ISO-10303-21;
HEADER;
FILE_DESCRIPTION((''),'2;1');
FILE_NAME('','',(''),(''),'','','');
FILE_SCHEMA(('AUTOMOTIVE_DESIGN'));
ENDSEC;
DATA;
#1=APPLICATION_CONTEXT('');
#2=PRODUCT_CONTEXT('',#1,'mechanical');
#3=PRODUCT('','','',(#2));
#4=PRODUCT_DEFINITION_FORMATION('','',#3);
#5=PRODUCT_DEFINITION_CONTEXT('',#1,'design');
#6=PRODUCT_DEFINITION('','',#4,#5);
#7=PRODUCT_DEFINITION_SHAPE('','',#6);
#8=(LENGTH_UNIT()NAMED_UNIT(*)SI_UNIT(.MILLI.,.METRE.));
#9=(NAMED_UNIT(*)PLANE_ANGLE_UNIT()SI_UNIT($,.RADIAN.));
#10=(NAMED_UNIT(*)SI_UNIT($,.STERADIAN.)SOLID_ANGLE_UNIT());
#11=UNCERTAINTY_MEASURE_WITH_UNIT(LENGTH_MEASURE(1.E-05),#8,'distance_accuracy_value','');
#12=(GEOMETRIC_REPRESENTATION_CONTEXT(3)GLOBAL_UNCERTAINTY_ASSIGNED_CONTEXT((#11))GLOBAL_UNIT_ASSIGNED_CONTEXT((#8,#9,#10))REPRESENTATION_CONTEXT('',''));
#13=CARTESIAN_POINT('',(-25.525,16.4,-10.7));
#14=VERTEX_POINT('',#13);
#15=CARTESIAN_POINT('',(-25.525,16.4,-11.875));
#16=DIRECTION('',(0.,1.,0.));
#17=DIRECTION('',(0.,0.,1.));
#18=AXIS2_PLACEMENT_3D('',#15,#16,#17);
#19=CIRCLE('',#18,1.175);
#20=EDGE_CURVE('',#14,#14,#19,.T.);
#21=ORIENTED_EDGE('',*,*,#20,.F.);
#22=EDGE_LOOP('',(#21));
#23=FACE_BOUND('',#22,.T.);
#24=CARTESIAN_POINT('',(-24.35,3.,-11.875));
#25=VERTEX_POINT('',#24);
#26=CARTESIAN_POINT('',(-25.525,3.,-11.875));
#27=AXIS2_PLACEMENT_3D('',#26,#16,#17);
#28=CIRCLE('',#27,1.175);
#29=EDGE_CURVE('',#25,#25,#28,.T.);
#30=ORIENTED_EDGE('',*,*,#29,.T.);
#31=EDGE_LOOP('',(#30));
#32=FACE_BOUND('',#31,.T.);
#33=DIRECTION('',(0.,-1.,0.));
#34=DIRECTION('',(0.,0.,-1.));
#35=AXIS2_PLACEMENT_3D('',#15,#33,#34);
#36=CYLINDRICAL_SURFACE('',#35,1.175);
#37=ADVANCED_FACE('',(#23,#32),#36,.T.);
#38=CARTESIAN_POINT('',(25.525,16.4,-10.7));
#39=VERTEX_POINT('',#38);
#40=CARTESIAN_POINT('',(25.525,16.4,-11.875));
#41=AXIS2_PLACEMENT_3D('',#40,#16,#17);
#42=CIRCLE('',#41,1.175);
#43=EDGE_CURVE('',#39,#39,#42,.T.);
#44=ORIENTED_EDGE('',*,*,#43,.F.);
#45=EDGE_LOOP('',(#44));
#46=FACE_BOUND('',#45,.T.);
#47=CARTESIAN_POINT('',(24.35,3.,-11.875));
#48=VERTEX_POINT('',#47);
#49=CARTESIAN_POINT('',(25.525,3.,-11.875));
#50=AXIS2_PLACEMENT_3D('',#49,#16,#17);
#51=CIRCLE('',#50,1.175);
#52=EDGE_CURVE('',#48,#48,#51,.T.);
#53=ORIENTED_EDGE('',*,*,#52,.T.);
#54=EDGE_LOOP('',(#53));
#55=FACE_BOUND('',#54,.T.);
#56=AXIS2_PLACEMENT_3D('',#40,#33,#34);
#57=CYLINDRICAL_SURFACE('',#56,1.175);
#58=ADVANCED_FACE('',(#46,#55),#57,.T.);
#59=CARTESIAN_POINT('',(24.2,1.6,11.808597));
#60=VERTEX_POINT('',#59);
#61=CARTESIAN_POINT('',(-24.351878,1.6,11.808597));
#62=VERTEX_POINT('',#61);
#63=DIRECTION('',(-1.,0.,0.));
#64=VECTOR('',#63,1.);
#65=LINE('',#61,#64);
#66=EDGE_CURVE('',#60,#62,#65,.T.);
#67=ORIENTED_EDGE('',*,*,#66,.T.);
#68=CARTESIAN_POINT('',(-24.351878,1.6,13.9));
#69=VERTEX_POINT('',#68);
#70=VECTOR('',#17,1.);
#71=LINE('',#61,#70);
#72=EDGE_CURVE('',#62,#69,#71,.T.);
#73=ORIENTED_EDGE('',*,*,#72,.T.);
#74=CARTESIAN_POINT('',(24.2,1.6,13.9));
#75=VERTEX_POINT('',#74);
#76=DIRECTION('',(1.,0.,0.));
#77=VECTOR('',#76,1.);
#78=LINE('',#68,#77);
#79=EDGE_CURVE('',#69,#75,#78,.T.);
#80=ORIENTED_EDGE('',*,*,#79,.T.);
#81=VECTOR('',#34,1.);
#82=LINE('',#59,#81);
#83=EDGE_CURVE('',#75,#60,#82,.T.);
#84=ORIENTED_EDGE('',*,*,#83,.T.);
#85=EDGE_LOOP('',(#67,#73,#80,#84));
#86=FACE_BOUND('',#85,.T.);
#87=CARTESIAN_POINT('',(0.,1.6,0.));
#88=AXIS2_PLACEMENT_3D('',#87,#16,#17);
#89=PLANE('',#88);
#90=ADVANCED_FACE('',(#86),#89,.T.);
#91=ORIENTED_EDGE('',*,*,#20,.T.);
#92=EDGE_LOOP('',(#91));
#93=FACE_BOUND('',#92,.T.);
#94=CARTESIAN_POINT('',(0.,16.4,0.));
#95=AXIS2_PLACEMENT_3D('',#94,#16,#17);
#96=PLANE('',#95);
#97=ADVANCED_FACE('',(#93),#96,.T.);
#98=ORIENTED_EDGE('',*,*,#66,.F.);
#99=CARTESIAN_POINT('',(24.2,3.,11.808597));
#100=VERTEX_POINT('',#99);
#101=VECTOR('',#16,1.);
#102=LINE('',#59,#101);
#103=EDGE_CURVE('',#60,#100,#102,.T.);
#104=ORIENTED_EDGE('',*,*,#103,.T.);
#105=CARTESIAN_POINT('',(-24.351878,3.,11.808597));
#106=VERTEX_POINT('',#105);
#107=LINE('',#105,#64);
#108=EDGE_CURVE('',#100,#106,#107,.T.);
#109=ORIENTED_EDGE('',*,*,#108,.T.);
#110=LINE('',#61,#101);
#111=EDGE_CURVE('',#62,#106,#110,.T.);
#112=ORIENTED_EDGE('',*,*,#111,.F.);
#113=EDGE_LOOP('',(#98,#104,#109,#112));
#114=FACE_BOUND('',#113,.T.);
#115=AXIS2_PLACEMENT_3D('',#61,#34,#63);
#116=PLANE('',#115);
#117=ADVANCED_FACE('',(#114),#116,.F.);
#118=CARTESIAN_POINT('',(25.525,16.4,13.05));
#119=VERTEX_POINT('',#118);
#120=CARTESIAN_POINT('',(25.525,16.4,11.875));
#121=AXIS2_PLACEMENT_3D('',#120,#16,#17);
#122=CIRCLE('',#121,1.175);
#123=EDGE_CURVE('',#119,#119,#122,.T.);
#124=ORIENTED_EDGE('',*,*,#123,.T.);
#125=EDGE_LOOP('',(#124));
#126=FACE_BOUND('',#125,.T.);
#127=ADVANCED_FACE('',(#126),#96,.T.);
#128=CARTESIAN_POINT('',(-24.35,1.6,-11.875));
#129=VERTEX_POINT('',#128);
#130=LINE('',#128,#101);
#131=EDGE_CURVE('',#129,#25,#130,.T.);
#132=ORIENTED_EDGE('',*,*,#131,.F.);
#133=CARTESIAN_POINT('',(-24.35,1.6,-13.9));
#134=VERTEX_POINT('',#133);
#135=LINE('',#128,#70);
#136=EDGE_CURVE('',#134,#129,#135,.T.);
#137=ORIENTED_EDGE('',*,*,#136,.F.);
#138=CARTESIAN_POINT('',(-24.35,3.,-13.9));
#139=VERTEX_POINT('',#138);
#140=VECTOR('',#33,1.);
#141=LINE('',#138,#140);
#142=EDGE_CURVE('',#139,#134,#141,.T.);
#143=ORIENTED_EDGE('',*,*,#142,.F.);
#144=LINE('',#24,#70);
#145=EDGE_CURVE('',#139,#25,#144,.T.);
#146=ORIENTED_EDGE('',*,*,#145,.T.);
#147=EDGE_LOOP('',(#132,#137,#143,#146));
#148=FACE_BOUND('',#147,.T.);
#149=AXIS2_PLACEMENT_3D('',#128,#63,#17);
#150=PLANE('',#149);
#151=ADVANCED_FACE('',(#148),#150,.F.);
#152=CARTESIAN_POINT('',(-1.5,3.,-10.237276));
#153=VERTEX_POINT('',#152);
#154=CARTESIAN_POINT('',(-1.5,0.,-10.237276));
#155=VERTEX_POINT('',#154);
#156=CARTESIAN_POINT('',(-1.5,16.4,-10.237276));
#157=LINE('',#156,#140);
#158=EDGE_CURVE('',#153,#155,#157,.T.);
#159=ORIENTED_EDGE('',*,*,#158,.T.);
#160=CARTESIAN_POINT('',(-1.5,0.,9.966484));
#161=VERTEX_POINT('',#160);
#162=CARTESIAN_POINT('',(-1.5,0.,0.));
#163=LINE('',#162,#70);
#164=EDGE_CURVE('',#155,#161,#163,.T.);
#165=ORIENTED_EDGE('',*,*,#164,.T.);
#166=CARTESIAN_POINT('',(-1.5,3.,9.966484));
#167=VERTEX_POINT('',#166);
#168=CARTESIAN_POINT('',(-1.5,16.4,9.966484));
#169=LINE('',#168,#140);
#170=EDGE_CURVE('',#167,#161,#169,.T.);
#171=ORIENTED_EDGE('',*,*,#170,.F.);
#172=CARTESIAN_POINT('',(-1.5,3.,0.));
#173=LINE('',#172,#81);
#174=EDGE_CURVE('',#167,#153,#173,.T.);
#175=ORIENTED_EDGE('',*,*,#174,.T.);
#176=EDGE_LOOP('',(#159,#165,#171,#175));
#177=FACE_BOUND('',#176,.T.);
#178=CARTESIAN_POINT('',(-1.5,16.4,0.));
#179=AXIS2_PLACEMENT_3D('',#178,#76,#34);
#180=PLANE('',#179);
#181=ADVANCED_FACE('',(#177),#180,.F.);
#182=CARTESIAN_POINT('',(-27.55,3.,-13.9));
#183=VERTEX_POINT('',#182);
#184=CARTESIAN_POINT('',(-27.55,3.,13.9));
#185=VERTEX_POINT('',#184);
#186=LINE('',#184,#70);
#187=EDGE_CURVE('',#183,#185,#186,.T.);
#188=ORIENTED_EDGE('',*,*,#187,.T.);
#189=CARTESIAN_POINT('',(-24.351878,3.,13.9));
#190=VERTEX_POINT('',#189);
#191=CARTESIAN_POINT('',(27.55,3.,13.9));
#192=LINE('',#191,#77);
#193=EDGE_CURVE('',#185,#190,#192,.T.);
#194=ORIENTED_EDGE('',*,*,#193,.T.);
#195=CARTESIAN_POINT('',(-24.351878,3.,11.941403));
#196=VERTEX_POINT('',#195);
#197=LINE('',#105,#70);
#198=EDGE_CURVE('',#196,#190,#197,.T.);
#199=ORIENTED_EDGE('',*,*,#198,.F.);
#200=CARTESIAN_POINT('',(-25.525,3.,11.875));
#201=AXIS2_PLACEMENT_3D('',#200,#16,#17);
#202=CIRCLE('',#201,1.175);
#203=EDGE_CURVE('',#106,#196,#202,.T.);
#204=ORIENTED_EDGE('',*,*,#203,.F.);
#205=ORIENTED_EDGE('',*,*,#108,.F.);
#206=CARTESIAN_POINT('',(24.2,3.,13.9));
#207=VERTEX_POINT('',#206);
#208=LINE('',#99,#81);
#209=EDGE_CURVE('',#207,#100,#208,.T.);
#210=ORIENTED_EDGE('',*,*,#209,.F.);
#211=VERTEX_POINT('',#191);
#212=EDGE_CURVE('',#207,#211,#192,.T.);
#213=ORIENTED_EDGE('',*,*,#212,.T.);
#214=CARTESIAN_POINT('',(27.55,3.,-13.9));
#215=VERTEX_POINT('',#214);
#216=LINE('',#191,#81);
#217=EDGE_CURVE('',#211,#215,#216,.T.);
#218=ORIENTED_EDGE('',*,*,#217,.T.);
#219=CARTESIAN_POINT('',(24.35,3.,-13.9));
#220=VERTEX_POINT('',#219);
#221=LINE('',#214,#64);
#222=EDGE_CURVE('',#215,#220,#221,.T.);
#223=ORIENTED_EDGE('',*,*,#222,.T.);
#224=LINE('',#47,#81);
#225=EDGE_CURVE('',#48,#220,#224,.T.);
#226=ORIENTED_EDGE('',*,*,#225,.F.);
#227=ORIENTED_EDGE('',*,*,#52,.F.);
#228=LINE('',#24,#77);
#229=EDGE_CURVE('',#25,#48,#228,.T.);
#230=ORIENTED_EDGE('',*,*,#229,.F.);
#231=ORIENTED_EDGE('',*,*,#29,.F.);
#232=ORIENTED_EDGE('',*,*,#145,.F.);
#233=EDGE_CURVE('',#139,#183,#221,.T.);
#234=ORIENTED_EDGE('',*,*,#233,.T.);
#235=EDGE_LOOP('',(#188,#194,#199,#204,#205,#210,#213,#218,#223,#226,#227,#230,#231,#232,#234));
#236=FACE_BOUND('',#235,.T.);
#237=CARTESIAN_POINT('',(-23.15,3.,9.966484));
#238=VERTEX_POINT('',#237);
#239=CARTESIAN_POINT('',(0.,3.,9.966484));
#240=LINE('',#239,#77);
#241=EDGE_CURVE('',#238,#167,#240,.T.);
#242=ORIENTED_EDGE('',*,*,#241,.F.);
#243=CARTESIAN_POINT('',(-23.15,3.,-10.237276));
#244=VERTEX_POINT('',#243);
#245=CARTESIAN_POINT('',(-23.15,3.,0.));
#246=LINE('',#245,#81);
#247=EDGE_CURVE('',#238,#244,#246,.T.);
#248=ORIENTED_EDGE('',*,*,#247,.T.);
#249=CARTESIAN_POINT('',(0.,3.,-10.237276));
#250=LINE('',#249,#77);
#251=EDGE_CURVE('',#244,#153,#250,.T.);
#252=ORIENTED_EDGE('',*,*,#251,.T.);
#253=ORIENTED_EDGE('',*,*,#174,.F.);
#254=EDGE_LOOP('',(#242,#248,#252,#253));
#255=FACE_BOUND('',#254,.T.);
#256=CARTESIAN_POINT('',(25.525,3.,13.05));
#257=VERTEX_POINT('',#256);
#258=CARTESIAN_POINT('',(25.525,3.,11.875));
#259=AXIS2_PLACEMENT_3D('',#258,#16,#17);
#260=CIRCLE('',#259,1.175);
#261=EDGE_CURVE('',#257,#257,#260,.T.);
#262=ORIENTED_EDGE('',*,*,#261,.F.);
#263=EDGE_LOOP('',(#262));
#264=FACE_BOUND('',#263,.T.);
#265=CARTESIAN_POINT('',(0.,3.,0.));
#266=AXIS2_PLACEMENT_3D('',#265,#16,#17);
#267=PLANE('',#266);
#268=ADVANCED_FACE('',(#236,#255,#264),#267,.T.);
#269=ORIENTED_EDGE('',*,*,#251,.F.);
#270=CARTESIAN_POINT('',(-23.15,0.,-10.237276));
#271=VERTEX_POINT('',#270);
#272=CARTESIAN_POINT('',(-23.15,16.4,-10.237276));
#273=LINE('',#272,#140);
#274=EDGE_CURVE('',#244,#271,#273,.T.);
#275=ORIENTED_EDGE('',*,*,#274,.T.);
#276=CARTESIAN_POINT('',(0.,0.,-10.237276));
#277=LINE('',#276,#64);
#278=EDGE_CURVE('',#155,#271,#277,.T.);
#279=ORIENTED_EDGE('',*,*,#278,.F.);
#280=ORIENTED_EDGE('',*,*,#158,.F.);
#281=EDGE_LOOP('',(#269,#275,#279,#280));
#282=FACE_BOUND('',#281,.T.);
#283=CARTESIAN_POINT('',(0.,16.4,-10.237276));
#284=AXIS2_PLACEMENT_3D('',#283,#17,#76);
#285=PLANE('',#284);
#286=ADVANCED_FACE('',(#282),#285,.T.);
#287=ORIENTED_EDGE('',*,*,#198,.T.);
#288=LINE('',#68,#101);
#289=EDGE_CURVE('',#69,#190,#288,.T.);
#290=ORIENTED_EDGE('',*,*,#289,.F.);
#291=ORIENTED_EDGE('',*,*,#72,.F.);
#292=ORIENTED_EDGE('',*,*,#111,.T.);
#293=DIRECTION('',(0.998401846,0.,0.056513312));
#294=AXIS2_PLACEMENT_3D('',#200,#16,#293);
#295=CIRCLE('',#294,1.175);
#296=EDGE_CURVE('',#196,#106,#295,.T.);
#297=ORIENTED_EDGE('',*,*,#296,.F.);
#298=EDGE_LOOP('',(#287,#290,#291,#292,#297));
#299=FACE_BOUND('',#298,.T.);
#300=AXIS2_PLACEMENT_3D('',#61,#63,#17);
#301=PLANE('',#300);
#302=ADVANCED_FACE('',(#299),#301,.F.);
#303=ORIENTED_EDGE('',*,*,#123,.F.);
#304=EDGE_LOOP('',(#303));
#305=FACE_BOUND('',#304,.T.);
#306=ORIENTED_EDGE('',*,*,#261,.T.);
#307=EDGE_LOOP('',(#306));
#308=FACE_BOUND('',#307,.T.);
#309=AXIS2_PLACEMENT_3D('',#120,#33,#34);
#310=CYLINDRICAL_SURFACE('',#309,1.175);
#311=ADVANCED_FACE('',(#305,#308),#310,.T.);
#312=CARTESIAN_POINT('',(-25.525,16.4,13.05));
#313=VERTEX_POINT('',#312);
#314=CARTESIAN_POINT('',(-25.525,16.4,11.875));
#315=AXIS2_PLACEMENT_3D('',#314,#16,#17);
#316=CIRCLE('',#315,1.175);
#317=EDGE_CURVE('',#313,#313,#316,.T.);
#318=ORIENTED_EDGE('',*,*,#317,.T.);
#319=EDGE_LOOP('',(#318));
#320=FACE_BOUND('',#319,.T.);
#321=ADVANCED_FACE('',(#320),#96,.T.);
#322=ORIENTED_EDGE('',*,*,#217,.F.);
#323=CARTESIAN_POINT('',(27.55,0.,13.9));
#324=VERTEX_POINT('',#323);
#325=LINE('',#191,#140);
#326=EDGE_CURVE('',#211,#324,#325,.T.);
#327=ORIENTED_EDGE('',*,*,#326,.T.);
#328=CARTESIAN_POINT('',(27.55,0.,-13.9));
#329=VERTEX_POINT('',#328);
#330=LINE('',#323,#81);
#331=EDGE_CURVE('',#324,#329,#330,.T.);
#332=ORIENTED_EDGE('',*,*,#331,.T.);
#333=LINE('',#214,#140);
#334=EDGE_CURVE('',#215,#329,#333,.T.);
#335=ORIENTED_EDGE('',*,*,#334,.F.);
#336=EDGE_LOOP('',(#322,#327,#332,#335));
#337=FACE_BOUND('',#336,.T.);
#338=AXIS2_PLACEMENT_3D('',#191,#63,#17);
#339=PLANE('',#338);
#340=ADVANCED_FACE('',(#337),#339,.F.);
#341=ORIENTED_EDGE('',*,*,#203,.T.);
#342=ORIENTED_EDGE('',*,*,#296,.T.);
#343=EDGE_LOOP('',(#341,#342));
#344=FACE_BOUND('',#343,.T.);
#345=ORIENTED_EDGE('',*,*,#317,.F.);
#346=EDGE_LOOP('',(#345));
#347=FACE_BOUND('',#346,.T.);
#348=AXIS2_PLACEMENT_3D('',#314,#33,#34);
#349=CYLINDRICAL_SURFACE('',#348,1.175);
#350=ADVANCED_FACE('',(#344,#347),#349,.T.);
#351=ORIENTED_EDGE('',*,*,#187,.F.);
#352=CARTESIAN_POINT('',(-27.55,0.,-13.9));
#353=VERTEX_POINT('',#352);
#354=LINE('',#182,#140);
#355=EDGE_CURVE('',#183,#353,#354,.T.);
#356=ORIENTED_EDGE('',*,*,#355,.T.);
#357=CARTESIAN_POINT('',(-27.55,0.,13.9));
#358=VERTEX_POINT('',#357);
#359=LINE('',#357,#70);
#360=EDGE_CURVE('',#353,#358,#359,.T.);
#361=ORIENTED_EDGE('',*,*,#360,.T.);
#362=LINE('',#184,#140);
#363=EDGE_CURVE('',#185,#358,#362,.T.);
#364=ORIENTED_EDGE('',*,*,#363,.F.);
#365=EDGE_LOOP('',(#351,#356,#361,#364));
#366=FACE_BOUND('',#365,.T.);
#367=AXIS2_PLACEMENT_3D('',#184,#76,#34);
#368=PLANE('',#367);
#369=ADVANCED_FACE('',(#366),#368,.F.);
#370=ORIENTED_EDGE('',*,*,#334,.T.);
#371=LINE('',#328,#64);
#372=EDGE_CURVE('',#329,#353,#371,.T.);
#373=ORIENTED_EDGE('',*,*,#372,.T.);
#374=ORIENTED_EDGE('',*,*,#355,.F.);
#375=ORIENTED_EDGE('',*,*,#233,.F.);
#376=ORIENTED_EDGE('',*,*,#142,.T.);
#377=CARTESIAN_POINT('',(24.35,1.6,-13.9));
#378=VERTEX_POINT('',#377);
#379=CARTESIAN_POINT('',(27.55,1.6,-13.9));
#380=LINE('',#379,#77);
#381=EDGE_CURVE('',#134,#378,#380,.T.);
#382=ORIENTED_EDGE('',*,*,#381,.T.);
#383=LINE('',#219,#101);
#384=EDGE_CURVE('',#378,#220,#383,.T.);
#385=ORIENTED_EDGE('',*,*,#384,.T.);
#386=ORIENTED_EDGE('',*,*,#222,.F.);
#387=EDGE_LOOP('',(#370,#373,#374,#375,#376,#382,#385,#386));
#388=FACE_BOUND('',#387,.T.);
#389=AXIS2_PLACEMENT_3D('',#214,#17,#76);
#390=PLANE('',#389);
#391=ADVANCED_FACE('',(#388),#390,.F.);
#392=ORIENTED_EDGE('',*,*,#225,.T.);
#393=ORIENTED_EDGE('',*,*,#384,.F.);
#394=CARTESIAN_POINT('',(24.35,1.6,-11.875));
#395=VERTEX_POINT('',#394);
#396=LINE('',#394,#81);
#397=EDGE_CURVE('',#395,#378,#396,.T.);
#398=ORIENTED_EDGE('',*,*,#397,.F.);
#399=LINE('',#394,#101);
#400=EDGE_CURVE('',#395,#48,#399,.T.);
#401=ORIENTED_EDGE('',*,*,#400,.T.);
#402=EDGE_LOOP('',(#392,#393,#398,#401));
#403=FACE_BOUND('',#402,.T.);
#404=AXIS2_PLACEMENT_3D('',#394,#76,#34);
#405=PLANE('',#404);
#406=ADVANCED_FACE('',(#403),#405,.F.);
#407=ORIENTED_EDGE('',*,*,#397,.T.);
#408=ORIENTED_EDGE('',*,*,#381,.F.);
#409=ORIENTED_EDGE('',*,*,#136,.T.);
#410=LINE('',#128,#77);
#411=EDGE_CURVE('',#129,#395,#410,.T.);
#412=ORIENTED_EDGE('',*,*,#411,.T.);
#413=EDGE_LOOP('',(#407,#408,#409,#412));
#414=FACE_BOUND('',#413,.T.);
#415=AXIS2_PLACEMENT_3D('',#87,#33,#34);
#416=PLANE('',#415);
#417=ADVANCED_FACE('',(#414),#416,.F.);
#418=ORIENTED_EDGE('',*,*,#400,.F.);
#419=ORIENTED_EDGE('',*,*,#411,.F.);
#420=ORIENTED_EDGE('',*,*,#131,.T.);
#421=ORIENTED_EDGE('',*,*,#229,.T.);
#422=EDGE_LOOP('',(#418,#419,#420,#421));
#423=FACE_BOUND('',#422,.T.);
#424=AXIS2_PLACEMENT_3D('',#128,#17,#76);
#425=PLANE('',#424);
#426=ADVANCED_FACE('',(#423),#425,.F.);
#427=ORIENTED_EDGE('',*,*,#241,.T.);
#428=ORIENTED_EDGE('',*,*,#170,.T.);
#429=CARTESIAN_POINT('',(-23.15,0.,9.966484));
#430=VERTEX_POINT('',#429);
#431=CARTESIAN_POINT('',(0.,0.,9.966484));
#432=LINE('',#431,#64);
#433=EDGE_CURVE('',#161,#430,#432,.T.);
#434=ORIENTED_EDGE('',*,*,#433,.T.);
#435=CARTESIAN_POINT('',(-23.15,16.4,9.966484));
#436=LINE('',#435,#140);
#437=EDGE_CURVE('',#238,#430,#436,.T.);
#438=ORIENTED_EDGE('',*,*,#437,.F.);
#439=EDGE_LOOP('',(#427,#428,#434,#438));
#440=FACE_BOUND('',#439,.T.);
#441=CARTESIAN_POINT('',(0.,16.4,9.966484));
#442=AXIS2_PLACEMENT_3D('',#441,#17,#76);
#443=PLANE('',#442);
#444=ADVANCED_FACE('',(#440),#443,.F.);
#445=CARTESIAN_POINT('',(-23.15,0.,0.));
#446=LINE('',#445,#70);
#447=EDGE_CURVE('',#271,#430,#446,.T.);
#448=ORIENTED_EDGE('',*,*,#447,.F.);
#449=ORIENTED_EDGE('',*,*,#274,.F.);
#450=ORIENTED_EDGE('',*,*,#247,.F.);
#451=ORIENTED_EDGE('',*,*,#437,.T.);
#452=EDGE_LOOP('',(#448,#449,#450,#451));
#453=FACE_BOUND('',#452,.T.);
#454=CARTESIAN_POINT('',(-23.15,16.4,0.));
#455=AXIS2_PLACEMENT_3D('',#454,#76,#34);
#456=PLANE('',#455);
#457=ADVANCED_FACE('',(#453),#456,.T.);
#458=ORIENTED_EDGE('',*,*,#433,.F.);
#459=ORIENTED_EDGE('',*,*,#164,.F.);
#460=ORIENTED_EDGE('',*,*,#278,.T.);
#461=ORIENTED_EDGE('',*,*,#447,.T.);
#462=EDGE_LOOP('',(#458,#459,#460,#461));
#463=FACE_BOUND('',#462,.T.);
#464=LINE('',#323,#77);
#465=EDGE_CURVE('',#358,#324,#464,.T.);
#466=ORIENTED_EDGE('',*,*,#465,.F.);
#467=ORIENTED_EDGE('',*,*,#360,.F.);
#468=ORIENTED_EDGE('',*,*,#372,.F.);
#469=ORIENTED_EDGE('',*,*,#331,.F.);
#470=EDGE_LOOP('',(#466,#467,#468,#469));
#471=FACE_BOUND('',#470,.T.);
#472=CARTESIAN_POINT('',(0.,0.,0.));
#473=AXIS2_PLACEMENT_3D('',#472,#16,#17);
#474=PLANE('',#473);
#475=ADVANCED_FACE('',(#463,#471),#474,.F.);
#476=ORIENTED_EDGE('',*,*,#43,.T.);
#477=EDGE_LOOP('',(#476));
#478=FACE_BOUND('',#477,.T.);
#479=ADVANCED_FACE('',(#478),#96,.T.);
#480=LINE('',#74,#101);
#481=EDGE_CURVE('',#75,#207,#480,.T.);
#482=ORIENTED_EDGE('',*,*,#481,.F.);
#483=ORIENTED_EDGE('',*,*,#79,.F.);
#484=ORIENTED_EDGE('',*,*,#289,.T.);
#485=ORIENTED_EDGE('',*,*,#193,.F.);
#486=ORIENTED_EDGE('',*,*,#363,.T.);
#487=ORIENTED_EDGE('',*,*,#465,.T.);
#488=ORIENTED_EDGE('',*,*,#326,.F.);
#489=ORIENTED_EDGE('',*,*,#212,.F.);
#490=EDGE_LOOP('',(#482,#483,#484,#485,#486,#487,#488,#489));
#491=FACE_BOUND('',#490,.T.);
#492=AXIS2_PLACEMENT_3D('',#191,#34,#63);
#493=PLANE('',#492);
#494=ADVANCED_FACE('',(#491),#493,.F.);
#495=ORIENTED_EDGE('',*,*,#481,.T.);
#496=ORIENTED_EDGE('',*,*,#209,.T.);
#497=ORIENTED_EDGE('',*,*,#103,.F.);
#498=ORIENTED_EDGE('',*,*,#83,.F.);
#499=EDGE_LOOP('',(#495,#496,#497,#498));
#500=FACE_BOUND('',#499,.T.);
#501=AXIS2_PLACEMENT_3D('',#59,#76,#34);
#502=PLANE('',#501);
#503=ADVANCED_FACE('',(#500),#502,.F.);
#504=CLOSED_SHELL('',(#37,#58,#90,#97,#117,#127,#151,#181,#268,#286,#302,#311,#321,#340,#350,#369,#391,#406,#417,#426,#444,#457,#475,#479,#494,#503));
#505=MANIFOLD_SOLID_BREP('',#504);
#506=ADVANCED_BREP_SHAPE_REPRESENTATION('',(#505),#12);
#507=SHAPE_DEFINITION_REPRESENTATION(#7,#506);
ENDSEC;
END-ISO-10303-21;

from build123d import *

# Parameters (mm, degrees)
SKETCH1_W           = 55.1
SKETCH1_H           = 27.8
BOSS_EXTRUDE1_DEPTH = 3
SKETCH2_R           = 1.175
BOSS_EXTRUDE2_DEPTH = 13.4
SKETCH3_W           = 21.65
SKETCH3_H           = 20.203759547
SKETCH3_W_2         = 17.65
SKETCH3_H_2         = 15.75
CUT_EXTRUDE1_DEPTH  = 35.945278651
SKETCH6_W           = 48.551877831
SKETCH6_H           = 2.091403142
SKETCH6_W_2         = 48.7
SKETCH6_H_2         = 4.58395526
CUT_EXTRUDE2_DEPTH  = 1.4


with BuildPart() as part:
    # Sketch1 → Boss-Extrude1 (new body)
    with BuildSketch(Plane(origin=(0, 0, 0), x_dir=(1, 0, 0), z_dir=(0, 1, 0))):
        Rectangle(SKETCH1_W, SKETCH1_H)
    extrude(amount=BOSS_EXTRUDE1_DEPTH)

    # Sketch2 → Boss-Extrude2 (add)
    with BuildSketch(Plane(origin=(0, 3, 0), x_dir=(1, 0, 0), z_dir=(0, 1, 0))):
        with Locations(Location((-25.525, 11.875, 0), (0, 0, 270))):
            Circle(SKETCH2_R)
        with Locations(Location((-25.525, -11.875, 0), (0, 0, 270))):
            Circle(SKETCH2_R)
        with Locations(Location((25.525, 11.875, 0), (0, 0, 270))):
            Circle(SKETCH2_R)
        with Locations(Location((25.525, -11.875, 0), (0, 0, 270))):
            Circle(SKETCH2_R)
    extrude(amount=BOSS_EXTRUDE2_DEPTH)

    # Sketch3 → Cut-Extrude1 (cut, through all)
    # profile 1 of 2: a face of its own
    with BuildSketch(Plane.XZ):
        with Locations((-12.325, -0.13539581)):
            Rectangle(SKETCH3_W, SKETCH3_H)
        with Locations((-12.325, -0.375)):
            Rectangle(SKETCH3_W_2, SKETCH3_H_2, mode=Mode.SUBTRACT)
    # profile 2 of 2: a face of its own
    with BuildSketch(Plane.XZ):
        with Locations((-12.325, -0.375)):
            Rectangle(SKETCH3_W_2, SKETCH3_H_2)
    extrude(amount=-CUT_EXTRUDE1_DEPTH, mode=Mode.SUBTRACT)

    # Sketch6 → Cut-Extrude2 (cut)
    with BuildSketch(Plane(origin=(0, 3, 0), x_dir=(1, 0, 0), z_dir=(0, 1, 0))):
        with Locations((-0.075938916, -12.854298429)):
            Rectangle(SKETCH6_W, SKETCH6_H)
        with Locations((0, 14.16697763)):
            Rectangle(SKETCH6_W_2, SKETCH6_H_2)
    extrude(amount=-CUT_EXTRUDE2_DEPTH, mode=Mode.SUBTRACT)


solid = part.part
